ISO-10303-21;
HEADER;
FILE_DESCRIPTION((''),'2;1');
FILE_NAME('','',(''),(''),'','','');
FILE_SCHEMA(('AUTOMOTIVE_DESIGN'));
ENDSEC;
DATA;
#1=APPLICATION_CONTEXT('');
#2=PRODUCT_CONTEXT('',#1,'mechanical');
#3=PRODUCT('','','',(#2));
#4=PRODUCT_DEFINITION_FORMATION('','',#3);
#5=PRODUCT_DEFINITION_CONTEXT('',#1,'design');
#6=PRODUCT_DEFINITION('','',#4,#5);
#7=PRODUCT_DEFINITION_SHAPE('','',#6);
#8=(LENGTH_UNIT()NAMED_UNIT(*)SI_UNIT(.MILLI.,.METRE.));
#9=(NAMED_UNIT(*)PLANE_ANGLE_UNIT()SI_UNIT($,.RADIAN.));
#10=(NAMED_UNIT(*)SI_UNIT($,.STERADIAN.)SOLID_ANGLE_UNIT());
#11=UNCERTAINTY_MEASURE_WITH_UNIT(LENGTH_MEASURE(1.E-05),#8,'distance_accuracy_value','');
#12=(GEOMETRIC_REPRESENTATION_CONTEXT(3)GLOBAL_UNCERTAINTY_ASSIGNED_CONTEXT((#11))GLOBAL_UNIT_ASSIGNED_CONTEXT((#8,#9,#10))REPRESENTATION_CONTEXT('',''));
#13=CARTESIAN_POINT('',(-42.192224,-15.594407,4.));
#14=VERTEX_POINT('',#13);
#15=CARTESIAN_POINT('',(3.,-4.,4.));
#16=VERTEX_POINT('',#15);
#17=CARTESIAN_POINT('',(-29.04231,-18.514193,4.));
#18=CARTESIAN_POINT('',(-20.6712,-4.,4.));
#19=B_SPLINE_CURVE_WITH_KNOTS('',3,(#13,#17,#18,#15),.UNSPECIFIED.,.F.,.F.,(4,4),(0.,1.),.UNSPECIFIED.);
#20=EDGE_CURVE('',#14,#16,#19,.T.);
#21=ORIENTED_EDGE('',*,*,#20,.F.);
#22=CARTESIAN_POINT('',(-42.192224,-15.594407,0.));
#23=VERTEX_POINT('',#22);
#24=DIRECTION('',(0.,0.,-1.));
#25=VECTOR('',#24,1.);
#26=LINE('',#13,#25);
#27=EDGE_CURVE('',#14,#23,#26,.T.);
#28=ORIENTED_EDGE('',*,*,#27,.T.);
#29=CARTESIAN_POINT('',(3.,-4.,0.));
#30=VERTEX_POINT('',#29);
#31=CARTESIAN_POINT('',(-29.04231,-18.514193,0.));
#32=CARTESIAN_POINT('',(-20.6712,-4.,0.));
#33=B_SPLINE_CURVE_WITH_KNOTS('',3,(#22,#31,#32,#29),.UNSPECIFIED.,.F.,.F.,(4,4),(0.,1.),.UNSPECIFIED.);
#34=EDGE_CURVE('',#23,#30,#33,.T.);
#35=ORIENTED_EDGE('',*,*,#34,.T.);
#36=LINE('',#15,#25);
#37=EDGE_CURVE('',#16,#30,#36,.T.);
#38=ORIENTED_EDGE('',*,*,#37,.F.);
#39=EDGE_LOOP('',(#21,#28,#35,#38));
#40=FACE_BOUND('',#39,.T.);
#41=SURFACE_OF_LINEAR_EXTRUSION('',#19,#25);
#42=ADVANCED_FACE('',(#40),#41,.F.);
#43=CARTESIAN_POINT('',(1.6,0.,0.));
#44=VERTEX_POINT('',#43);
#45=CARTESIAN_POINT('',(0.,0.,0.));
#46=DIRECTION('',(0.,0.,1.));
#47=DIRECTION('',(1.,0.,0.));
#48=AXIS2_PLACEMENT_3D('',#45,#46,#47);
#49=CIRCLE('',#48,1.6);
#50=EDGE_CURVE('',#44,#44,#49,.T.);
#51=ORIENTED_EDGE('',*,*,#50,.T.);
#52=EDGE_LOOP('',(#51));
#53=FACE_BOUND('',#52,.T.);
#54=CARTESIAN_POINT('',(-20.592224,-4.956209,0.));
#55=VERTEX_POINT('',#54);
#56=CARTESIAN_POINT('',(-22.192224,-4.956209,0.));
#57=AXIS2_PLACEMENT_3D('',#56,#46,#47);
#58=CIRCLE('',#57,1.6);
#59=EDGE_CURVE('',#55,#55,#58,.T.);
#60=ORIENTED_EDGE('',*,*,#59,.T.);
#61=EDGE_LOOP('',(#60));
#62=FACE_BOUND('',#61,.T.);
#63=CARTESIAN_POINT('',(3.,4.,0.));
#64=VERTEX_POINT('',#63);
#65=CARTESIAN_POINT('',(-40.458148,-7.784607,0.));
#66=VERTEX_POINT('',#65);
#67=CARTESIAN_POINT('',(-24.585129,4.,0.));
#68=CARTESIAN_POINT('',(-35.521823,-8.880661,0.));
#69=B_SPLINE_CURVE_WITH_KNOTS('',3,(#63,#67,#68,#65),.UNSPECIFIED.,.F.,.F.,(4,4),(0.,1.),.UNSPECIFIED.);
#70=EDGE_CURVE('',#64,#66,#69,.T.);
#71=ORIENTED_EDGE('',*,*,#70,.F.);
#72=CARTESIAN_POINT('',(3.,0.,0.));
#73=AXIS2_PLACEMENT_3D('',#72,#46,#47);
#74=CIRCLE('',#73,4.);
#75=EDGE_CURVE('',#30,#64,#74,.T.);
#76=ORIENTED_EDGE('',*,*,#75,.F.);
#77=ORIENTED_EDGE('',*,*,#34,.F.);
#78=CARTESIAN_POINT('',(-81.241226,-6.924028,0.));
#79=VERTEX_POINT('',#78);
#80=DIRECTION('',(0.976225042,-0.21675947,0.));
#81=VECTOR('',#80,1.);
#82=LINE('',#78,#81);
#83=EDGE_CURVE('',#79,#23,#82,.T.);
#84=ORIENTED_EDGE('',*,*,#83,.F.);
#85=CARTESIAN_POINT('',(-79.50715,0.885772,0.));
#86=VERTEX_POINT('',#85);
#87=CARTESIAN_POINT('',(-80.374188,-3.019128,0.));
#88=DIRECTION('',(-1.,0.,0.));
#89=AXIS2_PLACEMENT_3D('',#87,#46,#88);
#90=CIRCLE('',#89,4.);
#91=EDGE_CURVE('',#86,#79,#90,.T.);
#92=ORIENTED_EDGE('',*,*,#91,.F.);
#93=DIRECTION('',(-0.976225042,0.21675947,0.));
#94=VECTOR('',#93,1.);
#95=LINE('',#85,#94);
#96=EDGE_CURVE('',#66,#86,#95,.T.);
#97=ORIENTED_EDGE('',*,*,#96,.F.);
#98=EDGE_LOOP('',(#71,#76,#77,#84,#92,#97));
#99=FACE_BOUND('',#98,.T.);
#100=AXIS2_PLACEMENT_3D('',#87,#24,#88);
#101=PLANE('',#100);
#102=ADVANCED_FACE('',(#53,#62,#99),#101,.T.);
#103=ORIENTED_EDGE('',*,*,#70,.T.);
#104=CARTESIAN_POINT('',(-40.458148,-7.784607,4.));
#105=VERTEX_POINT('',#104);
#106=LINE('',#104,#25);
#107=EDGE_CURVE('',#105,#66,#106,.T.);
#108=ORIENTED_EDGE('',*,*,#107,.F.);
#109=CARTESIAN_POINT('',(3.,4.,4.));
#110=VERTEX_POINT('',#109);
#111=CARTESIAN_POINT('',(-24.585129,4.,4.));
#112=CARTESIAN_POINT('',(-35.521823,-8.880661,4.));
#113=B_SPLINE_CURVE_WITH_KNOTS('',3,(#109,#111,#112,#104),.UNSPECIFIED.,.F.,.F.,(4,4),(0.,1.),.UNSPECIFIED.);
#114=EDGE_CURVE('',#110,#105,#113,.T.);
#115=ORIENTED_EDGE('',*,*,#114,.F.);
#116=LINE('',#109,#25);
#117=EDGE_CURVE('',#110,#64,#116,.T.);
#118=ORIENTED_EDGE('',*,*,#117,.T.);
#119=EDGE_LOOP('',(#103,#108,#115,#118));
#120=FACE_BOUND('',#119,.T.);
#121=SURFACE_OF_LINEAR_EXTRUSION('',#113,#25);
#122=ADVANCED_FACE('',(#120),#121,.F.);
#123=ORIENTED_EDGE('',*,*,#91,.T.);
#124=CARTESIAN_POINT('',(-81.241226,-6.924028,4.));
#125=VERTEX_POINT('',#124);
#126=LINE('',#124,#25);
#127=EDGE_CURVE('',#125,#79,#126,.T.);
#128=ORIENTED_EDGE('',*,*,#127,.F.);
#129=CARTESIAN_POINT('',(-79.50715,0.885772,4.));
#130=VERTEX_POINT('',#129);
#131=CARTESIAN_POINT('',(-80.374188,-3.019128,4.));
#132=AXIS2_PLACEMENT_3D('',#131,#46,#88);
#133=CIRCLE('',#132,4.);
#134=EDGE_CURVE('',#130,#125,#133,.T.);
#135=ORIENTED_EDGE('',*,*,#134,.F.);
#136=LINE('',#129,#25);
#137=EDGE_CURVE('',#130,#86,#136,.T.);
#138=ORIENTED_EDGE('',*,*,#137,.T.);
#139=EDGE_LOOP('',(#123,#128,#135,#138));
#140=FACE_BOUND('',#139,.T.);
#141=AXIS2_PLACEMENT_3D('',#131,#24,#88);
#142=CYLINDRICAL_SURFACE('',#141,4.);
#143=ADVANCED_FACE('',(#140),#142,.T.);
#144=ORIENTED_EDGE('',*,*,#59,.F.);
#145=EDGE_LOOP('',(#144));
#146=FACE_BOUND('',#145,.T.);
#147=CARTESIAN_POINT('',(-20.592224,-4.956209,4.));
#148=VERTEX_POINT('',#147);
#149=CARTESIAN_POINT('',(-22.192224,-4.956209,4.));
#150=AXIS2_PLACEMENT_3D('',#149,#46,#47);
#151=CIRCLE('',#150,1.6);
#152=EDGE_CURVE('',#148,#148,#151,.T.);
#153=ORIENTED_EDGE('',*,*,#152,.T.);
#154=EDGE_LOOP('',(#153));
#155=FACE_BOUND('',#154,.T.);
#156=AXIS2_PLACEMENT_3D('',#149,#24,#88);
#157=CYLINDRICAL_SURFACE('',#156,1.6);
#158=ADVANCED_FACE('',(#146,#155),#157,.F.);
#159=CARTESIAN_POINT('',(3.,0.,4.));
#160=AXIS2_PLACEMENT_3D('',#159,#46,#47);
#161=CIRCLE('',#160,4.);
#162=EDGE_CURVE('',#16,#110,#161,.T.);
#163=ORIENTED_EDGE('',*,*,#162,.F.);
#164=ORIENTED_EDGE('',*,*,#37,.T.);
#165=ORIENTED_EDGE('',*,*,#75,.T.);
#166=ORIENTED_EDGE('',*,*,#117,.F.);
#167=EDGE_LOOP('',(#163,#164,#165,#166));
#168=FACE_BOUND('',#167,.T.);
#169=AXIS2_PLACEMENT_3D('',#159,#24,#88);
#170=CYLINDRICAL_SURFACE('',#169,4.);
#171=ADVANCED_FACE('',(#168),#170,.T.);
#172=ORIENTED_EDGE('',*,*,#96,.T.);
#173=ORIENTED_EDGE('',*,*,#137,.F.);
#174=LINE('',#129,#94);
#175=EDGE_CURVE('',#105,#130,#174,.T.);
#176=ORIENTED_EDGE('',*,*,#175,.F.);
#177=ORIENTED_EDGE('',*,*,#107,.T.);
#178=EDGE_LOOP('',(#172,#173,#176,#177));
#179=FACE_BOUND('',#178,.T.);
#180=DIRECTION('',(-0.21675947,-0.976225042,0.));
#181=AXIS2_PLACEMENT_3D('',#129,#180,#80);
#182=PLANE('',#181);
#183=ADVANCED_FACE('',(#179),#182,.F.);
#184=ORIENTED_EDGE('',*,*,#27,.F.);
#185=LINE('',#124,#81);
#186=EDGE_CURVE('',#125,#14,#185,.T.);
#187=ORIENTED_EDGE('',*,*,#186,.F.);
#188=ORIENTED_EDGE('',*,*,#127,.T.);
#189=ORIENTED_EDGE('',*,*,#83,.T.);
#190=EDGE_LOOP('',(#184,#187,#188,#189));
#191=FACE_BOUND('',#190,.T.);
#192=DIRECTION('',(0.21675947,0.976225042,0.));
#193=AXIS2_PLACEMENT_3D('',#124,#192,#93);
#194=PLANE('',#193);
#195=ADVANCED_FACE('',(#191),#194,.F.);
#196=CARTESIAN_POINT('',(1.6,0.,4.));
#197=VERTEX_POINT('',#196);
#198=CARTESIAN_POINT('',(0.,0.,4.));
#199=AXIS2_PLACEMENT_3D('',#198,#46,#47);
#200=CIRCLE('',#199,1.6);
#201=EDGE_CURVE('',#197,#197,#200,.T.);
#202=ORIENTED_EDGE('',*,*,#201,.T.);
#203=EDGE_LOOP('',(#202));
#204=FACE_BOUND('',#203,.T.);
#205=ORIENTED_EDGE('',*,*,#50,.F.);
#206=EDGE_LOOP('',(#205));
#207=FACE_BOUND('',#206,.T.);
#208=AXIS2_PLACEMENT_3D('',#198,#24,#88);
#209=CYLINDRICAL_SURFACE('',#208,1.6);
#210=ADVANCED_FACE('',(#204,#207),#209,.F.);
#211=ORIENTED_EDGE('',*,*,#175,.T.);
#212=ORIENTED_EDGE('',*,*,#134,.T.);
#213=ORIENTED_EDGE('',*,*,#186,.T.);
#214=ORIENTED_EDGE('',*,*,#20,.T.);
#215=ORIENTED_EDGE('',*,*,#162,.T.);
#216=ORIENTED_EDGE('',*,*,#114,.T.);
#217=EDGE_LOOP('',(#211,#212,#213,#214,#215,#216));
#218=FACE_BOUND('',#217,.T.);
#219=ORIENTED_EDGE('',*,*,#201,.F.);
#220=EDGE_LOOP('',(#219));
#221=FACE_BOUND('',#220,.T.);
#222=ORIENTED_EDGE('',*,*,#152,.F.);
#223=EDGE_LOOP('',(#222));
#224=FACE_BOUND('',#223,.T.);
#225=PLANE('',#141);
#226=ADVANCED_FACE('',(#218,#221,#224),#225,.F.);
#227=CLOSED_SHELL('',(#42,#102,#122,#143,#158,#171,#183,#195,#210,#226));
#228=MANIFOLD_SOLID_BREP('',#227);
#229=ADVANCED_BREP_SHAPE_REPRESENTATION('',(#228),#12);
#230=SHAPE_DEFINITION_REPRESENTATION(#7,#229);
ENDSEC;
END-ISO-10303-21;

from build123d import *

# Parameters (mm, degrees)
SKETCH1_R           = 1.6
BOSS_EXTRUDE1_DEPTH = 4


with BuildPart() as part:
    # Sketch1 → Boss-Extrude1 (new body)
    with BuildSketch(Plane.XY):
        with BuildLine():
            Line((-81.241225793, -6.924028443), (-42.192224122, -15.594407241))
            add(Edge.make_bspline(
                [(-42.192224122, -15.594407241), (-29.042309964, -18.51419346), (-20.671199627, -4), (3, -4)],
                knots=[0, 0, 0, 0, 1, 1, 1, 1], degree=3))
            ThreePointArc((3, -4), (7, 0), (3, 4))
            add(Edge.make_bspline(
                [(-40.458148362, -7.784606907), (-35.521822822, -8.880660851), (-24.58512885, 4), (3, 4)],
                knots=[0, 0, 0, 0, 1, 1, 1, 1], degree=3))
            Line((-40.458148362, -7.784606907), (-79.507150033, 0.885771891))
            ThreePointArc((-79.507150033, 0.885771891), (-84.27908808, -2.152090396), (-81.241225793, -6.924028443))
        make_face()
        with Locations((-22.192224122, -4.956209462)):
            Circle(SKETCH1_R, mode=Mode.SUBTRACT)
        Circle(SKETCH1_R, mode=Mode.SUBTRACT)
    extrude(amount=BOSS_EXTRUDE1_DEPTH)


solid = part.part
